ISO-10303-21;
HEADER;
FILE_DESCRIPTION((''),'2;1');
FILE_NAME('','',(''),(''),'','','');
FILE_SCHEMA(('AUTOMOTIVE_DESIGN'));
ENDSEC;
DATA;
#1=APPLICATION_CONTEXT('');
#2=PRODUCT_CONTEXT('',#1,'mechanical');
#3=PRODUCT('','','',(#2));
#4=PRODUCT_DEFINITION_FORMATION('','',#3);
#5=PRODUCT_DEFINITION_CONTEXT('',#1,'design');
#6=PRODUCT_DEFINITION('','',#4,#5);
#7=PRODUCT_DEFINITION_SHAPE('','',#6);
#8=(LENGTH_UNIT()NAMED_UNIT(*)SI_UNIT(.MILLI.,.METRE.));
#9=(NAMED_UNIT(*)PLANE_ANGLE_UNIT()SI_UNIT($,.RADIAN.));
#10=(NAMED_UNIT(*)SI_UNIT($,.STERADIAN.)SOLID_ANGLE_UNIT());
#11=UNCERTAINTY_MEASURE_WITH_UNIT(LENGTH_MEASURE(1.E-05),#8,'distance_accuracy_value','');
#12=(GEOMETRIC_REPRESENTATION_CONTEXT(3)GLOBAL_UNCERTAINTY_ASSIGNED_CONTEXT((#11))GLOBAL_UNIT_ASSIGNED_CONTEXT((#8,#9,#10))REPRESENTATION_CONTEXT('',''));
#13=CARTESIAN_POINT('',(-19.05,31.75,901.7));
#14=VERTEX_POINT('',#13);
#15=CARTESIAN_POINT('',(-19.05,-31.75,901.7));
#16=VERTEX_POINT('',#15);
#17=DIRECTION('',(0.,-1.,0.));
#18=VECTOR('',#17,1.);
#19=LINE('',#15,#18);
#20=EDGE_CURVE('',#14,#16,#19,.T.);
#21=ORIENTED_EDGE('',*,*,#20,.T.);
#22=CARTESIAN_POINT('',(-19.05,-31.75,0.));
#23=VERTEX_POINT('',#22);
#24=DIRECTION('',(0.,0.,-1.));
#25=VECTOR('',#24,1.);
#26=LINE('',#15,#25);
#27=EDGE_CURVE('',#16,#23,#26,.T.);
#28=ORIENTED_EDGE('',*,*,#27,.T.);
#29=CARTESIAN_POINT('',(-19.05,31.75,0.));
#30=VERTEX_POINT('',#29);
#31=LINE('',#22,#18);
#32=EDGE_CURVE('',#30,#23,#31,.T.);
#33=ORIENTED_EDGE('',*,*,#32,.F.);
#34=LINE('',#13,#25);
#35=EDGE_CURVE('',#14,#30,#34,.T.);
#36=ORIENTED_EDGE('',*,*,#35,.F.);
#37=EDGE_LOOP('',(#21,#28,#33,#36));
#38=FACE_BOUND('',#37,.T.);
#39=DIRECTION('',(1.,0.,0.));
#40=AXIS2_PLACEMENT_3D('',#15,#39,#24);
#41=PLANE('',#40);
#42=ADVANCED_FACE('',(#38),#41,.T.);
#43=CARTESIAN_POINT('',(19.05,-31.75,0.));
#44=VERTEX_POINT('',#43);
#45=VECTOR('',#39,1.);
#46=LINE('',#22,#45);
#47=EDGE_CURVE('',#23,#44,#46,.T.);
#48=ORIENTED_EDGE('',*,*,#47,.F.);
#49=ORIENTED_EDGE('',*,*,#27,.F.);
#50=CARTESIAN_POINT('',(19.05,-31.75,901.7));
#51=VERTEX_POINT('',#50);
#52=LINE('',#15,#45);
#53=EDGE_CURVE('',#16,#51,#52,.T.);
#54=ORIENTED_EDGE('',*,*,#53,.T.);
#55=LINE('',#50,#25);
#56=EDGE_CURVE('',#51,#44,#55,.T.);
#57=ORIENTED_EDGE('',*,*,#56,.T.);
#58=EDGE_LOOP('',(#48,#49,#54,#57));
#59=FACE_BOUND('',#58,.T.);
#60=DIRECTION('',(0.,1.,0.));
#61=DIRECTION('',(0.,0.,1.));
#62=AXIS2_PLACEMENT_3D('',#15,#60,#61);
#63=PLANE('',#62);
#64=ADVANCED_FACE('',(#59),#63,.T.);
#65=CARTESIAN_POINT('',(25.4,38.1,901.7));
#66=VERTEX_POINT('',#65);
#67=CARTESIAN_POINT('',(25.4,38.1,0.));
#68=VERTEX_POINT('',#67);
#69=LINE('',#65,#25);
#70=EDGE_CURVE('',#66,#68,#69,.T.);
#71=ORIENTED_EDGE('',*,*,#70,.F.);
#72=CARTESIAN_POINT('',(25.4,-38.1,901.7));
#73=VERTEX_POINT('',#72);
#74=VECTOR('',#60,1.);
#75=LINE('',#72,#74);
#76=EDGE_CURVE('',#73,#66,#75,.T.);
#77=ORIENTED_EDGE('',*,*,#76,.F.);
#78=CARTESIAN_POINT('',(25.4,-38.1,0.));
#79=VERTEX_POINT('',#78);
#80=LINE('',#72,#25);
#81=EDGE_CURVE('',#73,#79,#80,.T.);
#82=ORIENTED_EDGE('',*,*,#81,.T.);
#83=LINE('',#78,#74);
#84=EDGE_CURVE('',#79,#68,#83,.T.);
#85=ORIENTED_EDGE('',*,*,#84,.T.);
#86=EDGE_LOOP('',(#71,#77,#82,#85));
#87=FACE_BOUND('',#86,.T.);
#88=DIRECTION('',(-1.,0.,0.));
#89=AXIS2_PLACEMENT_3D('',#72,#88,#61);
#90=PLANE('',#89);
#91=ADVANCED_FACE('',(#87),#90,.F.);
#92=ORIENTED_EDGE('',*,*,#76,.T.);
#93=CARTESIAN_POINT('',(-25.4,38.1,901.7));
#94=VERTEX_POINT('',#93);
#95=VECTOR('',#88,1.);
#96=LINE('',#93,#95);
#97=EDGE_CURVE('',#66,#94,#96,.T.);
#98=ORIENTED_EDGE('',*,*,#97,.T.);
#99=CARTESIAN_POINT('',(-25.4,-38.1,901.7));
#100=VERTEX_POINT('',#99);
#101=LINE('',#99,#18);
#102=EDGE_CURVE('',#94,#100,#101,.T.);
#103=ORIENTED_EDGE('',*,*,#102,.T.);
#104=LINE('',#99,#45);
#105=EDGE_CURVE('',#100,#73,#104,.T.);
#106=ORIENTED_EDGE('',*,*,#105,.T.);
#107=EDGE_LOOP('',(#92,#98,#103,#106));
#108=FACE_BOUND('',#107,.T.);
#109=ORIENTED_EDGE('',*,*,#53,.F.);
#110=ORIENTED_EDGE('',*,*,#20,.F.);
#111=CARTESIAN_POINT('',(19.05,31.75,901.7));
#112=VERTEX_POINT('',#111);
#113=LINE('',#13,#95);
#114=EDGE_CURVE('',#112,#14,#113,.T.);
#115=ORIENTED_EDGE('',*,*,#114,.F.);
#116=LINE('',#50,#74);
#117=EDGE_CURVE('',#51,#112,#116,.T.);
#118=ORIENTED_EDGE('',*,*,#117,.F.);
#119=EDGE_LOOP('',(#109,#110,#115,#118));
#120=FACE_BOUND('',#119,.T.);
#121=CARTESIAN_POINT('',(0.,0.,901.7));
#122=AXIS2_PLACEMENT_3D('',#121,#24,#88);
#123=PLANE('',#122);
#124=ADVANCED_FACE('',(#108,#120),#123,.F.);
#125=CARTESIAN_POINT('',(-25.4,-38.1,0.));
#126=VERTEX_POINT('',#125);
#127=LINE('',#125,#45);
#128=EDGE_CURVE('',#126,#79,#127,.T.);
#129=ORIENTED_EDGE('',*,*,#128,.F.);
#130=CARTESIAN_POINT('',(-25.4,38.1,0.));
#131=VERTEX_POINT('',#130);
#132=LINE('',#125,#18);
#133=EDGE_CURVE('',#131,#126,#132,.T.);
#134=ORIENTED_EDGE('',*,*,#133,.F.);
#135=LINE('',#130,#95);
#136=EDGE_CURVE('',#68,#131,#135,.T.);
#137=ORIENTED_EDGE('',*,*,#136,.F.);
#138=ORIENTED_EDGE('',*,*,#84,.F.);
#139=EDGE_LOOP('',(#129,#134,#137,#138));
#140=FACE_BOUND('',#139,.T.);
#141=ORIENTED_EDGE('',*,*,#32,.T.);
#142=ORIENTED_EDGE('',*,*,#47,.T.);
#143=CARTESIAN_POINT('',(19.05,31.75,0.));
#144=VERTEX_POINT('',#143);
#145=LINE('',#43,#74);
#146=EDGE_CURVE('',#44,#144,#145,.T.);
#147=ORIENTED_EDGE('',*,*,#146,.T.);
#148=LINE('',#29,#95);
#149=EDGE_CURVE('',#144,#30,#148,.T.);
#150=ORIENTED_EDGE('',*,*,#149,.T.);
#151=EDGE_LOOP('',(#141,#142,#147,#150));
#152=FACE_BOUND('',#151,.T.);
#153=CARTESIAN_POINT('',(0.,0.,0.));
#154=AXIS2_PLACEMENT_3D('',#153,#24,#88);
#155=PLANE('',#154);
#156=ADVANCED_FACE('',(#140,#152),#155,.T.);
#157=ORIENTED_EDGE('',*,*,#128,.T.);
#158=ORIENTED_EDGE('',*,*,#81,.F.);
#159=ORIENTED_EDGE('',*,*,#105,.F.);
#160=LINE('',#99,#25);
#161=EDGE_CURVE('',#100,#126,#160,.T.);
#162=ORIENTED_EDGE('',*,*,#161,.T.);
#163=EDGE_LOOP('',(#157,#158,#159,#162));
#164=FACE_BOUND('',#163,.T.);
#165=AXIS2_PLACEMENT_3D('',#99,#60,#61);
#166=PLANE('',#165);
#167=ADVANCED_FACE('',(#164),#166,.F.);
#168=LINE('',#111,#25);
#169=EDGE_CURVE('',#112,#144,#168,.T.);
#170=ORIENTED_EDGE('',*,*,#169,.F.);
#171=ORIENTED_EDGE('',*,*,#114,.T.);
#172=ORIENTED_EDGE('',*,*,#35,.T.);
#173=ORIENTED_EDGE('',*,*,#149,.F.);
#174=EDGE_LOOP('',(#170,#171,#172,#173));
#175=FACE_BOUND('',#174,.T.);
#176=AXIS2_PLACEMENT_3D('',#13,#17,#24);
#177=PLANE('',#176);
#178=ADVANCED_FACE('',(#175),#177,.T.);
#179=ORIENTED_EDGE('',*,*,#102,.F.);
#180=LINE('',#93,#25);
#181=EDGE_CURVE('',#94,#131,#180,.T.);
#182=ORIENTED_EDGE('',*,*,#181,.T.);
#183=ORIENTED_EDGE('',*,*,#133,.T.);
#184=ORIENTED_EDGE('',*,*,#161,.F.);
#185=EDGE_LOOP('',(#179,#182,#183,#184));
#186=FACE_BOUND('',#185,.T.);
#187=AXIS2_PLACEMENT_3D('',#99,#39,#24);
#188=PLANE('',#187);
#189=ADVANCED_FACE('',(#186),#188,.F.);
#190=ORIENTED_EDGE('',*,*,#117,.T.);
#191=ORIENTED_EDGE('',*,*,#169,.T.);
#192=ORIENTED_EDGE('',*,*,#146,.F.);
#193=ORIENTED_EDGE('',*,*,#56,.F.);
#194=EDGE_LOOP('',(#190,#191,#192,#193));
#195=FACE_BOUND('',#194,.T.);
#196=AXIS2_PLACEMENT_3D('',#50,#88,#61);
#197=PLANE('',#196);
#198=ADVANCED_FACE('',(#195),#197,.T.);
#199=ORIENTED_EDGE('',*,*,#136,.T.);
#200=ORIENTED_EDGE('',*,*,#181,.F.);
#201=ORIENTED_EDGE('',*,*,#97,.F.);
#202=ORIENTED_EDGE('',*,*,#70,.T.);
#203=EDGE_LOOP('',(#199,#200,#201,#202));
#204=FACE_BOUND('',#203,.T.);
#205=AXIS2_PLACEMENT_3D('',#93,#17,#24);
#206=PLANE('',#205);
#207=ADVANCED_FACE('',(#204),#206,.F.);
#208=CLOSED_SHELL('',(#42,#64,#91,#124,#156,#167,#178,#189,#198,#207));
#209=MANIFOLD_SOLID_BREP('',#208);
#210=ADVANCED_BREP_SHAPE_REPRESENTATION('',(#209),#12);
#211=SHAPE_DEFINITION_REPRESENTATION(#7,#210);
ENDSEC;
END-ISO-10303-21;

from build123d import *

# Parameters (mm, degrees)
SKETCH1_W           = 50.8
SKETCH1_H           = 76.2
SKETCH1_W_2         = 38.1
SKETCH1_H_2         = 63.5
BOSS_EXTRUDE1_DEPTH = 901.7


with BuildPart() as part:
    # Sketch1 → Boss-Extrude1 (new body)
    with BuildSketch(Plane.XY):
        Rectangle(SKETCH1_W, SKETCH1_H)
        Rectangle(SKETCH1_W_2, SKETCH1_H_2, mode=Mode.SUBTRACT)
    extrude(amount=BOSS_EXTRUDE1_DEPTH)


solid = part.part
